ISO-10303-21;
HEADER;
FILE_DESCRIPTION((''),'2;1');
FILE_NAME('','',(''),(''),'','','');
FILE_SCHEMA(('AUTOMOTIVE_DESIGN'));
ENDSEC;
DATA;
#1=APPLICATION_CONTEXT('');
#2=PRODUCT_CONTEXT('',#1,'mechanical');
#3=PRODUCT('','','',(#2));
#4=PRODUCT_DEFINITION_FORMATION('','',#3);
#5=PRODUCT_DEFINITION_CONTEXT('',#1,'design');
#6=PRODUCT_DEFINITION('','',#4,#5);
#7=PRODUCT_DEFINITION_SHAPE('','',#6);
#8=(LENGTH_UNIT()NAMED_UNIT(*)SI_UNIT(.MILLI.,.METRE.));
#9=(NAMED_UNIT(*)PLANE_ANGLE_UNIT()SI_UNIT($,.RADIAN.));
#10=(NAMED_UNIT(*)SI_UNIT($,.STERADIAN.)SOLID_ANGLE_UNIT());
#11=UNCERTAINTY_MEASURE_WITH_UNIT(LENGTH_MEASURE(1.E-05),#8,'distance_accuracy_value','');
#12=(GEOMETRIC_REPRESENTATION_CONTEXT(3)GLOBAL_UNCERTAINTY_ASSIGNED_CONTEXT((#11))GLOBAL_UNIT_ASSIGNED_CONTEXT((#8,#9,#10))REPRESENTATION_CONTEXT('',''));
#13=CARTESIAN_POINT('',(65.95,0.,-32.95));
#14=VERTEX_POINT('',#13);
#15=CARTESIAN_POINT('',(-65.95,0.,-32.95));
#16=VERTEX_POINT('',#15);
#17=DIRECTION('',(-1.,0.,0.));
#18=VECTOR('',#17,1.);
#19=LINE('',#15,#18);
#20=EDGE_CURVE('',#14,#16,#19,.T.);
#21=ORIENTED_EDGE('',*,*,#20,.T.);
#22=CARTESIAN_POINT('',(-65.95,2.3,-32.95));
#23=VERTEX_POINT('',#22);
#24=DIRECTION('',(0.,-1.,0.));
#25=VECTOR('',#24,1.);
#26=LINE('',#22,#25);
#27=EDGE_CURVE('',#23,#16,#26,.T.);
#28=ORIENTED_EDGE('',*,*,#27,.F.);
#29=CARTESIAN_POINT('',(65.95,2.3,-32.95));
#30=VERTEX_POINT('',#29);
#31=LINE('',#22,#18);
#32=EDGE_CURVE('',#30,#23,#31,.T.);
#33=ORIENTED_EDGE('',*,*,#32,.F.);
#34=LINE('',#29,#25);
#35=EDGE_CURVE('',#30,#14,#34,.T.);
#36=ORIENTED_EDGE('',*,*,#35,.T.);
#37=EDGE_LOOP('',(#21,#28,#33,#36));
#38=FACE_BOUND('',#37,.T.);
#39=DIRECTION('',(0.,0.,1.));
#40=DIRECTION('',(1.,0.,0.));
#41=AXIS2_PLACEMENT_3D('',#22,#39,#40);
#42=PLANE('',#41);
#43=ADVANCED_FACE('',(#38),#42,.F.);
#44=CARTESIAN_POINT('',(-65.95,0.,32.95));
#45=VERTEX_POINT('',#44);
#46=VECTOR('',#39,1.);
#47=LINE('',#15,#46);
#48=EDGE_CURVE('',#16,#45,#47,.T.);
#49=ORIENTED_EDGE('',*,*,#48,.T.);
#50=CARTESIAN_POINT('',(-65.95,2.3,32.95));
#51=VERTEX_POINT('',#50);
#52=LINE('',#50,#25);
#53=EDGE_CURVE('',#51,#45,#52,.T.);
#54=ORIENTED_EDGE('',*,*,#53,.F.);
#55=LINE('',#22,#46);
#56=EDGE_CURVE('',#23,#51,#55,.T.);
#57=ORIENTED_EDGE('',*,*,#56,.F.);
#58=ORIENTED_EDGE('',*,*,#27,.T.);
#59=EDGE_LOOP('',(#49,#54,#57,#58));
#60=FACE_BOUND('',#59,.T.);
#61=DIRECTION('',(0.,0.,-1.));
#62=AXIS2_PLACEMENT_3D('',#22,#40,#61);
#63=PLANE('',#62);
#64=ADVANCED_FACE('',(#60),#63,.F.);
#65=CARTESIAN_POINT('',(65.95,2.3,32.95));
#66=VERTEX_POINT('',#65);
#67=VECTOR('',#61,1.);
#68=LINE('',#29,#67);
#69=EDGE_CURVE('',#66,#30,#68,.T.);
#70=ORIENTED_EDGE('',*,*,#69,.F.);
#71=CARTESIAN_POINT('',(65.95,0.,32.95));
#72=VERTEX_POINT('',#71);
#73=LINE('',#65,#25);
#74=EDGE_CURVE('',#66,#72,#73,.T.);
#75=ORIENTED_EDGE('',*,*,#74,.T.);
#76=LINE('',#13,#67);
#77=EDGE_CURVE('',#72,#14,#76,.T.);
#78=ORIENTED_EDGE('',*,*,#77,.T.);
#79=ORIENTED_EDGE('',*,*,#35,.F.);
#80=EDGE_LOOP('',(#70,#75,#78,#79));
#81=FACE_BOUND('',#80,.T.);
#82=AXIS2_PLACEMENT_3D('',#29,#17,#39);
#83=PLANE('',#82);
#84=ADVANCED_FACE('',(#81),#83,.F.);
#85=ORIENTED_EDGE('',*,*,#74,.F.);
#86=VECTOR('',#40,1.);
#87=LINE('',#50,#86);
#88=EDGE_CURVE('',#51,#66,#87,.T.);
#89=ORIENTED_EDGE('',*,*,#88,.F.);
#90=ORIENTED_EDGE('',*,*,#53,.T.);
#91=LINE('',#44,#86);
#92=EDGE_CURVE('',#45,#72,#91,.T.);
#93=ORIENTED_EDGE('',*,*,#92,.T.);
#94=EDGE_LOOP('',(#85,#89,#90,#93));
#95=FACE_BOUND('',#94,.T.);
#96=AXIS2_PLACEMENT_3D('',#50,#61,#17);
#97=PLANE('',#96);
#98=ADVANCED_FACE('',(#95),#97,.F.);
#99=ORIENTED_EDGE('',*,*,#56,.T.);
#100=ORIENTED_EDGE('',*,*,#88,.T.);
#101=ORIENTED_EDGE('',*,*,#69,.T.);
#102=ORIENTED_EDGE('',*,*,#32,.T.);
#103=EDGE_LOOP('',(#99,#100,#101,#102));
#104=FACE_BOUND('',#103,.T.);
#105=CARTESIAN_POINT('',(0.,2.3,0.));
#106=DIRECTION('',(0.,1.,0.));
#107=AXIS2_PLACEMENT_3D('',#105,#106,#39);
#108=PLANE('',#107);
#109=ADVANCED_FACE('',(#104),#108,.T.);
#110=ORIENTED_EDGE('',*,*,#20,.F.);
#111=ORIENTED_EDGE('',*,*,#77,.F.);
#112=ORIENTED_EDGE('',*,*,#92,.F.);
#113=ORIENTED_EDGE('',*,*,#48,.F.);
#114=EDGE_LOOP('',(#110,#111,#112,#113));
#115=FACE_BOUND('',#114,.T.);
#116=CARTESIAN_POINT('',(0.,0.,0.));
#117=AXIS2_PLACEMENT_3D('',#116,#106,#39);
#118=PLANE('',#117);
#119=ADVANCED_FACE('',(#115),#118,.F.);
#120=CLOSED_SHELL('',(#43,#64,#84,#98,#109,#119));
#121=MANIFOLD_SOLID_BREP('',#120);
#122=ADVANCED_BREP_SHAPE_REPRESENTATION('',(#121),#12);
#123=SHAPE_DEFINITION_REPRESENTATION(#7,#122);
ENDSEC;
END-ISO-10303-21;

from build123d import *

# Parameters (mm, degrees)
SKETCH_1_W      = 131.9
SKETCH_1_H      = 65.9
EXTRUDE_1_DEPTH = 2.3


with BuildPart() as part:
    # 草图1 → 凸台-拉伸1 (new body)
    with BuildSketch(Plane(origin=(0, 0, 0), x_dir=(1, 0, 0), z_dir=(0, 1, 0))):
        Rectangle(SKETCH_1_W, SKETCH_1_H)
    extrude(amount=EXTRUDE_1_DEPTH)


solid = part.part
